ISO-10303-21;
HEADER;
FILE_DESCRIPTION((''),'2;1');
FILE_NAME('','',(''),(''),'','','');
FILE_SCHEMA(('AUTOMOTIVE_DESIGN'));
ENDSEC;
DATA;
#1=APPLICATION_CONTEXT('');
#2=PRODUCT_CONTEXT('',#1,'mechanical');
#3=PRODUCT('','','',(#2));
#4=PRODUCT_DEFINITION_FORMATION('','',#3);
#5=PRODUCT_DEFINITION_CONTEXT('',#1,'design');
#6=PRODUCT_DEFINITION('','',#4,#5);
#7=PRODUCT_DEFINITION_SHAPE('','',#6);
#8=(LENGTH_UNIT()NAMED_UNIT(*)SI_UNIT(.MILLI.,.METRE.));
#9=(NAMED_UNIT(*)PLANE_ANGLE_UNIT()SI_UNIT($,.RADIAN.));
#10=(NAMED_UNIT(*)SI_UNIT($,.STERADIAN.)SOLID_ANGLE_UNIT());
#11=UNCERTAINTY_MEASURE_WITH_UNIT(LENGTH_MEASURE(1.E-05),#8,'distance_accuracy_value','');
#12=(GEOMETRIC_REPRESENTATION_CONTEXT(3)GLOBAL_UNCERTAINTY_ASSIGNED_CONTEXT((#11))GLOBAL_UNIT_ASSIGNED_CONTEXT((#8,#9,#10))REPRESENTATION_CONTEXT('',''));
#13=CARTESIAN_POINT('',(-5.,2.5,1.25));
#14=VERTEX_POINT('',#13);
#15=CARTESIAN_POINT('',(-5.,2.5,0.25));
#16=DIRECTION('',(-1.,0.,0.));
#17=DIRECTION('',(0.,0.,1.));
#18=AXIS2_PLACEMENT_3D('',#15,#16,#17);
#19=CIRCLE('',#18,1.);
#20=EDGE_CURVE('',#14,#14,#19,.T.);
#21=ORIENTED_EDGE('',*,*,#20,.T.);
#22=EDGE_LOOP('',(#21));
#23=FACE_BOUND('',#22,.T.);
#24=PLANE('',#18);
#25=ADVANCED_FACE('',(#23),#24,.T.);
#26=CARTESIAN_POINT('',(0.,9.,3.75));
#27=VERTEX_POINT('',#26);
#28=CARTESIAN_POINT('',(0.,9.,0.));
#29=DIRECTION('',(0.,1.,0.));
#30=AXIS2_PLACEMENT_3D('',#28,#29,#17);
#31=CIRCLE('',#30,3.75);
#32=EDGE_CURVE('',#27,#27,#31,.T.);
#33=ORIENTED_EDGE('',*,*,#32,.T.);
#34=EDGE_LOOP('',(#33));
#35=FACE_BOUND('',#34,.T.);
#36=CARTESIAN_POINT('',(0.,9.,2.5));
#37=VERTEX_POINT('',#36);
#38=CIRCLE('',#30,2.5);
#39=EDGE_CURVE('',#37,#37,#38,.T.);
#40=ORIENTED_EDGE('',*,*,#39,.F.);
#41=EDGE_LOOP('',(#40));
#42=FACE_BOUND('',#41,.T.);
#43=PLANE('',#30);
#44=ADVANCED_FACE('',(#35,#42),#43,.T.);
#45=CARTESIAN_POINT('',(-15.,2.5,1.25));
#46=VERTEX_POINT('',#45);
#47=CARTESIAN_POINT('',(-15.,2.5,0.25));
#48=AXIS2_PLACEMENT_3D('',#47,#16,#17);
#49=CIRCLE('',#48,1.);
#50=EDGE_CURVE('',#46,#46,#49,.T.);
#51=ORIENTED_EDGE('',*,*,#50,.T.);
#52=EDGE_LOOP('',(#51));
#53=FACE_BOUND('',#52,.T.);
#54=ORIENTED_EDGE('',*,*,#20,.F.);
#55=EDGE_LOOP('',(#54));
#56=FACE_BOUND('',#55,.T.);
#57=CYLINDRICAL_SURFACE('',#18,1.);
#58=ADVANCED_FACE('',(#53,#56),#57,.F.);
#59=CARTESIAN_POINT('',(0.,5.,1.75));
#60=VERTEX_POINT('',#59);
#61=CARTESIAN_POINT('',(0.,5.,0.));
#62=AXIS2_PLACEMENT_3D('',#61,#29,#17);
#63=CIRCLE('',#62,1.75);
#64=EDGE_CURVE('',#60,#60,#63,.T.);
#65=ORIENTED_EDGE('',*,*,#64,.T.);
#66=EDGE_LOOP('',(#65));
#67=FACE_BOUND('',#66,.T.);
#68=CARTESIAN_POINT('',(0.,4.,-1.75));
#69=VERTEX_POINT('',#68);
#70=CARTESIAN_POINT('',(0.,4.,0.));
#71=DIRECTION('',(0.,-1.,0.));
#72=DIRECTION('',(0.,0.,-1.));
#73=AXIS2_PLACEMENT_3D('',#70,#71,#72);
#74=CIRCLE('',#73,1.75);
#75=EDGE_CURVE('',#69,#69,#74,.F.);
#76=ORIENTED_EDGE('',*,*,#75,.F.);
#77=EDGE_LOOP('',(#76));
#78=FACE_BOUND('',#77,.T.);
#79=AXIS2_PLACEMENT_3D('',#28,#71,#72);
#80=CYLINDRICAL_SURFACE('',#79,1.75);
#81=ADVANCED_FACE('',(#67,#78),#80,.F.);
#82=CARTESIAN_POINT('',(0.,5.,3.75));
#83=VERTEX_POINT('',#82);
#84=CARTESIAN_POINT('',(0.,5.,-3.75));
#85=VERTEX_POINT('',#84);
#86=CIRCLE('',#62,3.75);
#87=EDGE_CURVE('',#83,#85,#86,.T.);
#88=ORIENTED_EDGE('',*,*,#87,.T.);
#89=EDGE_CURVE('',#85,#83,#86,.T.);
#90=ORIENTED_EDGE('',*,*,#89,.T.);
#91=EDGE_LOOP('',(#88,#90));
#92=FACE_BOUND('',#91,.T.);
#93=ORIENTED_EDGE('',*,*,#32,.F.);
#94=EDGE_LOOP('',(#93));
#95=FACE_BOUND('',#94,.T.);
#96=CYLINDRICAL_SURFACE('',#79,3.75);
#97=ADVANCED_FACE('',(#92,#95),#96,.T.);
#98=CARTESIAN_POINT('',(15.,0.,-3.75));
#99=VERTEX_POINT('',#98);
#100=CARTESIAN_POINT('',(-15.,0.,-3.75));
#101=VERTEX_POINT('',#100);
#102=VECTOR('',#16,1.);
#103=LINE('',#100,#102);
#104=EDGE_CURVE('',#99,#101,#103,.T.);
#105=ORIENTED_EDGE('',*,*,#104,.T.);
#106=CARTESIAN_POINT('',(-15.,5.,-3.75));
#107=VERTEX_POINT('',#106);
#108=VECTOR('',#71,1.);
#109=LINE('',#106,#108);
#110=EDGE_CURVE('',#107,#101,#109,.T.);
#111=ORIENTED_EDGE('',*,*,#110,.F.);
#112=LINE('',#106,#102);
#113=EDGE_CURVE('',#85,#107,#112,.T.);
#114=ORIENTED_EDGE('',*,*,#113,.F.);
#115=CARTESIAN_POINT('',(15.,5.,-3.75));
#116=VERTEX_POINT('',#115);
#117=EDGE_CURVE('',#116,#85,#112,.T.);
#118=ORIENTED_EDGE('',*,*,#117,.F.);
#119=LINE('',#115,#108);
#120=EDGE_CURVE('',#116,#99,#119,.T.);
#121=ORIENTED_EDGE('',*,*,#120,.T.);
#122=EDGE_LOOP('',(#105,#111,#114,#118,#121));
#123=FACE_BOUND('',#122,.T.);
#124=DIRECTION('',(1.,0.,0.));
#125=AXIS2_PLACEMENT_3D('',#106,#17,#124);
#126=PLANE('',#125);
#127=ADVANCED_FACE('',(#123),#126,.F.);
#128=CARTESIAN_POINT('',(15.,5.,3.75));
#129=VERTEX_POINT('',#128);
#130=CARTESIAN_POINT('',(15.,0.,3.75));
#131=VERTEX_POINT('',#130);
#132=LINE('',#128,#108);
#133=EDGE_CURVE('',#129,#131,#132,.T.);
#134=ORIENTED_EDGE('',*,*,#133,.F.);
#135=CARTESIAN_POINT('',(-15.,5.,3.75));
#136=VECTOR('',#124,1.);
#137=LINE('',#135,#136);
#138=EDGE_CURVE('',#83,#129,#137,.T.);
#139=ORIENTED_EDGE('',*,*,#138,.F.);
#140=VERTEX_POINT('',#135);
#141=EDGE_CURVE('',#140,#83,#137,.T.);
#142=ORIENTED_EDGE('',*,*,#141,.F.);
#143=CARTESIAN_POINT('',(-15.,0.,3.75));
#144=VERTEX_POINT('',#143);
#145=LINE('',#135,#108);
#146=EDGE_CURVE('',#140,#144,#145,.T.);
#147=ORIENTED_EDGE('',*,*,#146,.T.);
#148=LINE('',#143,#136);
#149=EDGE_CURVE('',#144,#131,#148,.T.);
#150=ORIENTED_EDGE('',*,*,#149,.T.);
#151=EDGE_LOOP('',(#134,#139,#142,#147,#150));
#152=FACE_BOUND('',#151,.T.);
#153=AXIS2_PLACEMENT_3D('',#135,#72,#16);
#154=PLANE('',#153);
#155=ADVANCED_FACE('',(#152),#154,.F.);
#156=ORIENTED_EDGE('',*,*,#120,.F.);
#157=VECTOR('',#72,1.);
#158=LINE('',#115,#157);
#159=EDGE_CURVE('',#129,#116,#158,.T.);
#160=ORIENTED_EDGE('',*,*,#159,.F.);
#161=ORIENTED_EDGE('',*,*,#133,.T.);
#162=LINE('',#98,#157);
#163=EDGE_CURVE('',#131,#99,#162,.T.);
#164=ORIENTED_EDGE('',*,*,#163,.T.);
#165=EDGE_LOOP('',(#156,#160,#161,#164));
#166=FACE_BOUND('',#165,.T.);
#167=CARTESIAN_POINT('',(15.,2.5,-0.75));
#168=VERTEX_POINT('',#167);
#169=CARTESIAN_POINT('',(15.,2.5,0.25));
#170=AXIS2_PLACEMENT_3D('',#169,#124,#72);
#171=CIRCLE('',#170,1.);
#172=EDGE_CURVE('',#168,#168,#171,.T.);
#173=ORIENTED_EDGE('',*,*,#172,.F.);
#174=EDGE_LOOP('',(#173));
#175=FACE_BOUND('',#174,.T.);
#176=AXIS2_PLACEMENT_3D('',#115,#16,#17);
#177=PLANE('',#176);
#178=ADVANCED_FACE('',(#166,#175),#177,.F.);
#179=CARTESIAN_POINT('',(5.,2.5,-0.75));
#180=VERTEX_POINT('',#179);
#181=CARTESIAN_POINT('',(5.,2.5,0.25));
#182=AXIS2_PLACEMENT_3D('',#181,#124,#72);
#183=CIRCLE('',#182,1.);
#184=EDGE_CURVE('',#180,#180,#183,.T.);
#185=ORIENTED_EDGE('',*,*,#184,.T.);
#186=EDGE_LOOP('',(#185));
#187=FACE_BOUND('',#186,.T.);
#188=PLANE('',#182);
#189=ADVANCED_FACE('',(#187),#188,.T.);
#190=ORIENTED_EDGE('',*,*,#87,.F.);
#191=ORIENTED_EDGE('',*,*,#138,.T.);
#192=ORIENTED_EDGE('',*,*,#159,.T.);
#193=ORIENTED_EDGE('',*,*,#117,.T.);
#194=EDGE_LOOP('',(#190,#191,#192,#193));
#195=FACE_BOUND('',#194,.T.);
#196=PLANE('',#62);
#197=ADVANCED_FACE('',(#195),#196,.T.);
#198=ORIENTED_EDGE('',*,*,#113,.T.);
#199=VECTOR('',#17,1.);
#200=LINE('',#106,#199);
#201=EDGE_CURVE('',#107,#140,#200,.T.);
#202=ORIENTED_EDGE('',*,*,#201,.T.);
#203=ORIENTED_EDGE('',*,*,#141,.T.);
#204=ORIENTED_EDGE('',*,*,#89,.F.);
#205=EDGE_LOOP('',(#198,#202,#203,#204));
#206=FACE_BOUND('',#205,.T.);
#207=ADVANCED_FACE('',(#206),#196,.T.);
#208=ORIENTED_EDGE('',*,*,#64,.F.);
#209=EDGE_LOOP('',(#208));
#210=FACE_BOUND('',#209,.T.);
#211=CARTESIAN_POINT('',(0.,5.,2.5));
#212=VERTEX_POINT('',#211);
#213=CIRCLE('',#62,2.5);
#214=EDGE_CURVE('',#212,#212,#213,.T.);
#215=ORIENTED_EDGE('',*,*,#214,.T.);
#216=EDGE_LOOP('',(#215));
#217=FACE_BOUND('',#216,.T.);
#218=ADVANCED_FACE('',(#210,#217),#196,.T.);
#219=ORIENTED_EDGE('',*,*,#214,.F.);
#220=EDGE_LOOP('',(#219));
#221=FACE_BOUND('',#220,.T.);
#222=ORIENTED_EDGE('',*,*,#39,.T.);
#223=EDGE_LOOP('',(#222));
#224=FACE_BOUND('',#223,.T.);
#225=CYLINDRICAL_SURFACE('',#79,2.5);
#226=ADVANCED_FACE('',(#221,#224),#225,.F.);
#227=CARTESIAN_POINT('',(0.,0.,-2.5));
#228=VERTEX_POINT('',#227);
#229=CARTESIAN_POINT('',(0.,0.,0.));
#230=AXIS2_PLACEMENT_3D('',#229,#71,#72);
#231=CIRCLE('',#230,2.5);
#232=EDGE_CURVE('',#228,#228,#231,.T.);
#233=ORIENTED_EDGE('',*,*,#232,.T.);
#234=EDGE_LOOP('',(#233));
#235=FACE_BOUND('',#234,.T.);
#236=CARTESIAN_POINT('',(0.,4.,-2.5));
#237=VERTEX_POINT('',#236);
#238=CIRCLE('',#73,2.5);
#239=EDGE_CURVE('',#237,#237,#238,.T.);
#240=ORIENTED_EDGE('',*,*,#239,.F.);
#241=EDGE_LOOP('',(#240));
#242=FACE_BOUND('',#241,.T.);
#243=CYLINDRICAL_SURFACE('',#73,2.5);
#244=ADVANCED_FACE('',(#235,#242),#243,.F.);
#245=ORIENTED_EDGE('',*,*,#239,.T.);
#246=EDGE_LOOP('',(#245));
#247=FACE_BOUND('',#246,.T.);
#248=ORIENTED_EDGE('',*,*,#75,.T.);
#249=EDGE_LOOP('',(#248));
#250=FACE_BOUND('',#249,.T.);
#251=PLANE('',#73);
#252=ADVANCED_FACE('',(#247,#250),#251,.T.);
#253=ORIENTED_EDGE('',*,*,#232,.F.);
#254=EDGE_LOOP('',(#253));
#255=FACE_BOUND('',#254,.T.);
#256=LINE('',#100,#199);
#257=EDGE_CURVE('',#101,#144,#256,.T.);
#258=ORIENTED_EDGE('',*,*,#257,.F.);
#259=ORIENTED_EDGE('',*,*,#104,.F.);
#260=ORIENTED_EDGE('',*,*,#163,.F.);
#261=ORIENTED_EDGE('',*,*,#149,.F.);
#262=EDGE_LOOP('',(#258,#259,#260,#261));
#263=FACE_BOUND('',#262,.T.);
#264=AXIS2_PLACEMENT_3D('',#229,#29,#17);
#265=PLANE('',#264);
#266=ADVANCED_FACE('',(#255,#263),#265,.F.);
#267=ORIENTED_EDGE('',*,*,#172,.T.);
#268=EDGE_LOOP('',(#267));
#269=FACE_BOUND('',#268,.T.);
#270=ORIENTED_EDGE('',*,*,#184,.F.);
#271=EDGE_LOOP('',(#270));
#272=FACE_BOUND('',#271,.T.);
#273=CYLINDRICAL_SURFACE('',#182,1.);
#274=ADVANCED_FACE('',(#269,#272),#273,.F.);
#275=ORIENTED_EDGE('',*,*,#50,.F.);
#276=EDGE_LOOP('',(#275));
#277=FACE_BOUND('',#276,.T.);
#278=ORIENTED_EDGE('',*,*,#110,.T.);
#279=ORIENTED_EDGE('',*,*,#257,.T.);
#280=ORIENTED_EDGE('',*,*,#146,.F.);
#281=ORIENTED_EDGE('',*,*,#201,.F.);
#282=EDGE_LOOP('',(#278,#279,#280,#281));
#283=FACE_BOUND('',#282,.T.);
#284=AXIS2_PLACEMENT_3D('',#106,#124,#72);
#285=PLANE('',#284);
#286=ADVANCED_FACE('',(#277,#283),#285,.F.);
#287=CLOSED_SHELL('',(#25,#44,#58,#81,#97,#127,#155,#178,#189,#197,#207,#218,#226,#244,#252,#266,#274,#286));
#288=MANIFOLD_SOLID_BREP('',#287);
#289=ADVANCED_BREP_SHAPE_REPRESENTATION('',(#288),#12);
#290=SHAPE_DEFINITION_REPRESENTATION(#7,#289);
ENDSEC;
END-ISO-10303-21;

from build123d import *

# Parameters (mm, degrees)
SKETCH1_W           = 30
SKETCH1_H           = 7.5
BOSS_EXTRUDE1_DEPTH = 5
SKETCH2_R           = 3.75
SKETCH2_R_2         = 2.5
BOSS_EXTRUDE2_DEPTH = 4
SKETCH3_R           = 1.75
CUT_EXTRUDE1_DEPTH  = 18.890290663
SKETCH4_R           = 2.5
CUT_EXTRUDE3_DEPTH  = 4
SKETCH5_R           = 1
CUT_EXTRUDE4_DEPTH  = 10
CUT_EXTRUDE5_START  = -10
SKETCH6_R           = 1
CUT_EXTRUDE5_DEPTH  = 10


with BuildPart() as part:
    # Sketch1 → Boss-Extrude1 (new body)
    with BuildSketch(Plane(origin=(0, 0, 0), x_dir=(1, 0, 0), z_dir=(0, 1, 0))):
        Rectangle(SKETCH1_W, SKETCH1_H)
    extrude(amount=BOSS_EXTRUDE1_DEPTH)

    # Sketch2 → Boss-Extrude2 (add)
    with BuildSketch(Plane(origin=(0, 5, 0), x_dir=(1, 0, 0), z_dir=(0, 1, 0))):
        with Locations(Location((0, 0, 0), (0, 0, 270))):
            Circle(SKETCH2_R)
        with Locations(Location((0, 0, 0), (0, 0, 270))):
            Circle(SKETCH2_R_2, mode=Mode.SUBTRACT)
    extrude(amount=BOSS_EXTRUDE2_DEPTH)

    # Sketch3 → Cut-Extrude1 (cut, through all)
    with BuildSketch(Plane.XZ):
        with Locations(Location((0, 0, 0), (0, 0, 270))):
            Circle(SKETCH3_R)
    extrude(amount=-CUT_EXTRUDE1_DEPTH, mode=Mode.SUBTRACT)

    # Sketch4 → Cut-Extrude3 (cut)
    with BuildSketch(Plane(origin=(0, 0, 0), x_dir=(-1, 0, 0), z_dir=(0, -1, 0))):
        with Locations(Location((0, 0, 0), (0, 0, 270))):
            Circle(SKETCH4_R)
    extrude(amount=-CUT_EXTRUDE3_DEPTH, mode=Mode.SUBTRACT)

    # Sketch5 → Cut-Extrude4 (cut)
    with BuildSketch(Plane(origin=(15, 0, 0), x_dir=(0, 0, -1), z_dir=(1, 0, 0))):
        with Locations((-0.25, 2.5)):
            Circle(SKETCH5_R)
    extrude(amount=-CUT_EXTRUDE4_DEPTH, mode=Mode.SUBTRACT)

    # Sketch6 → Cut-Extrude5 (cut)
    with BuildSketch(Plane.ZY.offset(15).offset(CUT_EXTRUDE5_START)):
        with Locations(Location((0.25, 2.5, 0), (0, 0, 180))):
            Circle(SKETCH6_R)
    extrude(amount=CUT_EXTRUDE5_DEPTH, mode=Mode.SUBTRACT)


solid = part.part
